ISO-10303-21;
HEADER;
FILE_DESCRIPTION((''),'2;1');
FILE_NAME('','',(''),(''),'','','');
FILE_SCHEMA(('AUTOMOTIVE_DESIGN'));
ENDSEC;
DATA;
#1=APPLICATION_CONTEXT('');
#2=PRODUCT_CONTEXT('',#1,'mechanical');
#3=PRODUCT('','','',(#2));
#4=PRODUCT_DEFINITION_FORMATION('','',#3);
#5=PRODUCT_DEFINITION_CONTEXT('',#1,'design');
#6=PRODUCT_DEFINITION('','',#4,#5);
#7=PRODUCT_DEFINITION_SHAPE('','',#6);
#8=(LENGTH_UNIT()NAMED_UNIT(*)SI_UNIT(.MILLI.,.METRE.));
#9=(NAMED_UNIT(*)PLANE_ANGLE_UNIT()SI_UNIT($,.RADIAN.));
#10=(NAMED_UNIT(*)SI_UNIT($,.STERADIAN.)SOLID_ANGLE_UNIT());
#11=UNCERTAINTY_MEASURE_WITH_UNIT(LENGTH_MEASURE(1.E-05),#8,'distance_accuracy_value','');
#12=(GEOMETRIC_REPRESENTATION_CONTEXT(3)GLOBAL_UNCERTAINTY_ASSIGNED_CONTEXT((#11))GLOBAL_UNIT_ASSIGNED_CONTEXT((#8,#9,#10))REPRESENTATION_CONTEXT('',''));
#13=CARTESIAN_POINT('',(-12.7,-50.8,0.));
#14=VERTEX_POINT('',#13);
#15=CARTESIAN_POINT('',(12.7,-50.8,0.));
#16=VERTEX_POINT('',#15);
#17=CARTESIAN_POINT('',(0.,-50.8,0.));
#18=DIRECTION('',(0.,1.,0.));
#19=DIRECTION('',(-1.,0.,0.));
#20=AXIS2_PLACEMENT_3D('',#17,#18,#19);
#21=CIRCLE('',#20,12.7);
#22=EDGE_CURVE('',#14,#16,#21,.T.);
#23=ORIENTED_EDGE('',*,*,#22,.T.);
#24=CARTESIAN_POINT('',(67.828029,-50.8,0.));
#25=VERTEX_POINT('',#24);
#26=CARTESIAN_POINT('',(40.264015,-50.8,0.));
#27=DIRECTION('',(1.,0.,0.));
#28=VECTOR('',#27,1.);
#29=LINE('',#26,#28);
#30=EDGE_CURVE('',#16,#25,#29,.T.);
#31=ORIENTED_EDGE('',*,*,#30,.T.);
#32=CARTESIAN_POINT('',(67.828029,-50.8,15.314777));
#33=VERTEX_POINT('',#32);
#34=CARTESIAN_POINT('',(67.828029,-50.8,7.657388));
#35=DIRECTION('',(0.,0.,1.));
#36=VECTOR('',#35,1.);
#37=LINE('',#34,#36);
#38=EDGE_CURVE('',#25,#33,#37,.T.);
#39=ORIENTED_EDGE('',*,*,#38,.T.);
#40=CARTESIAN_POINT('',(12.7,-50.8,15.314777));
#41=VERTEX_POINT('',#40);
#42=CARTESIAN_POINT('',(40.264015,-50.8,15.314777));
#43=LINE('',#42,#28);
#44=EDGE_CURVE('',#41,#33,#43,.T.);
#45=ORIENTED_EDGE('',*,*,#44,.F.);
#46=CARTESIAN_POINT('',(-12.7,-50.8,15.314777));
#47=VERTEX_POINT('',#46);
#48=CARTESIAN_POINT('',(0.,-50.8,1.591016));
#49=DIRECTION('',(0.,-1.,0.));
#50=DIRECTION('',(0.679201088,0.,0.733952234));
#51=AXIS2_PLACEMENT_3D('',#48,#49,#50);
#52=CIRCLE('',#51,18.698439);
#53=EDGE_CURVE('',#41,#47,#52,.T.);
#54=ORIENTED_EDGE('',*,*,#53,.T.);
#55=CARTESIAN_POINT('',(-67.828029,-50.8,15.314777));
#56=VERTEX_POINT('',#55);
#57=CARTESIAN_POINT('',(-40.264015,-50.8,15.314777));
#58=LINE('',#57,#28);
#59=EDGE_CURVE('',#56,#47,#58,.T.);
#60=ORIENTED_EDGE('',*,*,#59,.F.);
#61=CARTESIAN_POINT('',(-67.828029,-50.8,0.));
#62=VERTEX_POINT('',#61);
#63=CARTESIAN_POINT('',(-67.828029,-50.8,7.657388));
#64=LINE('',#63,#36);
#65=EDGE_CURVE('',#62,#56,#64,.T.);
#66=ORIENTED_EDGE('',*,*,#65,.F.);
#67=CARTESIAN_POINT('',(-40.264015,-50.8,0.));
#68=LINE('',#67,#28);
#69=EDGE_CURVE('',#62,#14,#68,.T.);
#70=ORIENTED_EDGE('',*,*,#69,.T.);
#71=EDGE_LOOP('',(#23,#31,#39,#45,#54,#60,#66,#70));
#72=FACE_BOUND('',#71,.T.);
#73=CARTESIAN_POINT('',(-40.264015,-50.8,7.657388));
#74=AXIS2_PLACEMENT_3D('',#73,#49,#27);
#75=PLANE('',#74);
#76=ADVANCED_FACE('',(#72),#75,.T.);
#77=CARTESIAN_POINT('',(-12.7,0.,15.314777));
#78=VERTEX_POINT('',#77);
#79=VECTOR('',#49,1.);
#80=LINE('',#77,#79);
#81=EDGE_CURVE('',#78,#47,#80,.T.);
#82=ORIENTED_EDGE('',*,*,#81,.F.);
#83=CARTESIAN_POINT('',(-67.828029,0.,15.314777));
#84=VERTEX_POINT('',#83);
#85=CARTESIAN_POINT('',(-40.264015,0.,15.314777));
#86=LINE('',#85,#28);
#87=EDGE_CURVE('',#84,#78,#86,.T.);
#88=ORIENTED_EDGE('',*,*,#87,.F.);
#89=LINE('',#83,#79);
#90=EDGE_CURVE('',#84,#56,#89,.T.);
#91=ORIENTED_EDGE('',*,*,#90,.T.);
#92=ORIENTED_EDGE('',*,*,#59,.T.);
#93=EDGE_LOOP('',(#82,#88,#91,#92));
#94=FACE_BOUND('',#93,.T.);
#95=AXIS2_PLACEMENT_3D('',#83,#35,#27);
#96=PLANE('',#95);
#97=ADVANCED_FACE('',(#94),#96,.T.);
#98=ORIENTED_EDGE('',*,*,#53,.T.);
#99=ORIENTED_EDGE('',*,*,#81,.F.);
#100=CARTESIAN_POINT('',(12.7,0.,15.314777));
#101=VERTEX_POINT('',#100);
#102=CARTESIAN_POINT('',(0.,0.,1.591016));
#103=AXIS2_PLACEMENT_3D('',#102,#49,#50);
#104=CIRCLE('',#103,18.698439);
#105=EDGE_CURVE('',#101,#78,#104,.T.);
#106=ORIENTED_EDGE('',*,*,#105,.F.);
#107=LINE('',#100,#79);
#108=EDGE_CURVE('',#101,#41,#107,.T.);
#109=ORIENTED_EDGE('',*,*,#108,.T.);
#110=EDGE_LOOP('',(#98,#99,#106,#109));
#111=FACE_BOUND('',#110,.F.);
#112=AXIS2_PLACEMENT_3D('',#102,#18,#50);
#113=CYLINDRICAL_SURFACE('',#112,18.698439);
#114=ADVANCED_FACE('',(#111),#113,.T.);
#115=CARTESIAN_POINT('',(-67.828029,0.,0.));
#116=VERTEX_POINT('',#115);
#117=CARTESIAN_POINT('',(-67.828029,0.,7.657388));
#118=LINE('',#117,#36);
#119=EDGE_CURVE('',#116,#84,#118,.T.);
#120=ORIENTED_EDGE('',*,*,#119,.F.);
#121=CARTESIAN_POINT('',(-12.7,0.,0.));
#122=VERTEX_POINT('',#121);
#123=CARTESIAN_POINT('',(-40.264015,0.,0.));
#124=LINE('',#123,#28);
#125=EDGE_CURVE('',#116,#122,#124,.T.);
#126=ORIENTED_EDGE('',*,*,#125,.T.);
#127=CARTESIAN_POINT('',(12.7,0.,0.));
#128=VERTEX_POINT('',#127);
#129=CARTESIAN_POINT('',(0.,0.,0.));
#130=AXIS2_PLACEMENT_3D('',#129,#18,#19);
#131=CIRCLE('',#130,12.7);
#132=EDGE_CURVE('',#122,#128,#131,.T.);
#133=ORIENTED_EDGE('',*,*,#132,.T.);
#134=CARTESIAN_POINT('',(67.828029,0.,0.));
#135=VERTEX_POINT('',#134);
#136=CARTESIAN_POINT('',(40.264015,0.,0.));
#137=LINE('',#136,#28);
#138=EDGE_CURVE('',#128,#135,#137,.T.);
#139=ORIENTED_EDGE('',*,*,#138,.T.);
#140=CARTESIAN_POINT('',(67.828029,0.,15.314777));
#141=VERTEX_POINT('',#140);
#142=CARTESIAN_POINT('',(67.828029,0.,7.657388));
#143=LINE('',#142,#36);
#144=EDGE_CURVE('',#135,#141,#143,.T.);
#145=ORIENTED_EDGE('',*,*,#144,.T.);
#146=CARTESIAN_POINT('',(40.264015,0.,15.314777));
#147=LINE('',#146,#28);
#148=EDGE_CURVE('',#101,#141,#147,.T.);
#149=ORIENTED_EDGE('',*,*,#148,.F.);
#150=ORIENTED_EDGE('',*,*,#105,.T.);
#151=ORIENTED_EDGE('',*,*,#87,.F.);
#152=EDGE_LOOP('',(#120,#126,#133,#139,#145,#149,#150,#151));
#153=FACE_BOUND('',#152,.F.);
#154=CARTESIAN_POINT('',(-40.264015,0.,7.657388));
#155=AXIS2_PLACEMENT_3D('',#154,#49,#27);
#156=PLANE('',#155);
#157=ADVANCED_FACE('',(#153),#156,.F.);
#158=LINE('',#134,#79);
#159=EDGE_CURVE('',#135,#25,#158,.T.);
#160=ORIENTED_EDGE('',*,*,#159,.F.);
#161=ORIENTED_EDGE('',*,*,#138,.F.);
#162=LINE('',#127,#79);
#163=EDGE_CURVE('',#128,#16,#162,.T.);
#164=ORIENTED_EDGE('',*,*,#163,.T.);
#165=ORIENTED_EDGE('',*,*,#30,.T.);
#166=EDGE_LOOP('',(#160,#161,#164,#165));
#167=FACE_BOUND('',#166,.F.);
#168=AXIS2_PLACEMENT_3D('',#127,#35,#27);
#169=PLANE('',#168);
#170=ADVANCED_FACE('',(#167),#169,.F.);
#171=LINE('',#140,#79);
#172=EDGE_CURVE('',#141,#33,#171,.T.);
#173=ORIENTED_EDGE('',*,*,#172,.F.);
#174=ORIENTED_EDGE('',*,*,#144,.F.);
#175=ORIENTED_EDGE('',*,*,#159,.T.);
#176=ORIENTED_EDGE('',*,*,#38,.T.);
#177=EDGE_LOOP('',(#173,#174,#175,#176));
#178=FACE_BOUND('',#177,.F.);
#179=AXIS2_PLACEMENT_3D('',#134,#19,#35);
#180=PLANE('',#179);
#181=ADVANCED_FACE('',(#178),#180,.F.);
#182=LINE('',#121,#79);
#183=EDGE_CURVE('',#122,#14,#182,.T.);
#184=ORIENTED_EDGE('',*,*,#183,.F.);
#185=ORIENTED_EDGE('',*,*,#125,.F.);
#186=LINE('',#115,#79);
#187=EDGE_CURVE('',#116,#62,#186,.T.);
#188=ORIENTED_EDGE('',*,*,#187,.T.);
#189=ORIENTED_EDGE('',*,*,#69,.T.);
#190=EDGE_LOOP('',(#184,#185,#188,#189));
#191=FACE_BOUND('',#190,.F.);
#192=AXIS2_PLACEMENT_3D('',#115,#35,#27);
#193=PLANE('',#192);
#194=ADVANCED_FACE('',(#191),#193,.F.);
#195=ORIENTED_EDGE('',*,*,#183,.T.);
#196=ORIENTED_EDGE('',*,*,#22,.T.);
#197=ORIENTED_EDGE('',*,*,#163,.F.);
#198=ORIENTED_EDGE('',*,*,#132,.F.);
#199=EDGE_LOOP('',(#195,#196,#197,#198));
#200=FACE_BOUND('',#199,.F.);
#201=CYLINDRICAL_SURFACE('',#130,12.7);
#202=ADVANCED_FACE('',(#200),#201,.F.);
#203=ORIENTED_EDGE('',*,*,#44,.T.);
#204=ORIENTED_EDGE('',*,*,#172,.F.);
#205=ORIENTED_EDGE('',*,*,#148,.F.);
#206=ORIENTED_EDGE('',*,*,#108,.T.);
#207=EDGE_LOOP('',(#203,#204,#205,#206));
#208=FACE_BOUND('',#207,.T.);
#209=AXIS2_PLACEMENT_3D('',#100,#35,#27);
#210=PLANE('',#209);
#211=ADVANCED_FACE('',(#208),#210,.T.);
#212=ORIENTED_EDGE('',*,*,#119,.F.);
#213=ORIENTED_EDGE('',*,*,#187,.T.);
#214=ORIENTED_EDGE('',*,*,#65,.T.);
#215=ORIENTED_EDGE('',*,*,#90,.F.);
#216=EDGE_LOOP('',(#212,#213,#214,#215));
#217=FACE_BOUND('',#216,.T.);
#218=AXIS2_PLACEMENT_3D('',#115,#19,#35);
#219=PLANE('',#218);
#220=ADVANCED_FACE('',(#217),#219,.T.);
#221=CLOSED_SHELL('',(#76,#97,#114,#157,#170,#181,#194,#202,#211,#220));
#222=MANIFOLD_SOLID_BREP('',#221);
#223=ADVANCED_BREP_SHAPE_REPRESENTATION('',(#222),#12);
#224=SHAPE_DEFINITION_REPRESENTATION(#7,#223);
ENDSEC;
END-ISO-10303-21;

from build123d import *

# Parameters (mm, degrees)
F0_W     = 55.1280293941
F0_H     = 15.3147769226
F1_DEPTH = 50.8


with BuildPart() as f1:
    # F0 (on Front) → F1 (new body)
    with BuildSketch(Plane.XZ):
        with Locations((-40.2640146971, 7.6573884613)):
            Rectangle(F0_W, F0_H)
        with BuildLine():
            Line((-12.7, 15.3147769226), (-12.7, 0))
            ThreePointArc((-12.7, 0), (0, 12.7), (12.7, 0))
            Line((12.7, 0), (12.7, 15.3147769226))
            ThreePointArc((12.7, 15.3147769226), (0, 20.2894548004), (-12.7, 15.3147769226))
        make_face()
        with Locations((40.2640146971, 7.6573884613)):
            Rectangle(F0_W, F0_H)
    extrude(amount=F1_DEPTH)


solid = f1.part
